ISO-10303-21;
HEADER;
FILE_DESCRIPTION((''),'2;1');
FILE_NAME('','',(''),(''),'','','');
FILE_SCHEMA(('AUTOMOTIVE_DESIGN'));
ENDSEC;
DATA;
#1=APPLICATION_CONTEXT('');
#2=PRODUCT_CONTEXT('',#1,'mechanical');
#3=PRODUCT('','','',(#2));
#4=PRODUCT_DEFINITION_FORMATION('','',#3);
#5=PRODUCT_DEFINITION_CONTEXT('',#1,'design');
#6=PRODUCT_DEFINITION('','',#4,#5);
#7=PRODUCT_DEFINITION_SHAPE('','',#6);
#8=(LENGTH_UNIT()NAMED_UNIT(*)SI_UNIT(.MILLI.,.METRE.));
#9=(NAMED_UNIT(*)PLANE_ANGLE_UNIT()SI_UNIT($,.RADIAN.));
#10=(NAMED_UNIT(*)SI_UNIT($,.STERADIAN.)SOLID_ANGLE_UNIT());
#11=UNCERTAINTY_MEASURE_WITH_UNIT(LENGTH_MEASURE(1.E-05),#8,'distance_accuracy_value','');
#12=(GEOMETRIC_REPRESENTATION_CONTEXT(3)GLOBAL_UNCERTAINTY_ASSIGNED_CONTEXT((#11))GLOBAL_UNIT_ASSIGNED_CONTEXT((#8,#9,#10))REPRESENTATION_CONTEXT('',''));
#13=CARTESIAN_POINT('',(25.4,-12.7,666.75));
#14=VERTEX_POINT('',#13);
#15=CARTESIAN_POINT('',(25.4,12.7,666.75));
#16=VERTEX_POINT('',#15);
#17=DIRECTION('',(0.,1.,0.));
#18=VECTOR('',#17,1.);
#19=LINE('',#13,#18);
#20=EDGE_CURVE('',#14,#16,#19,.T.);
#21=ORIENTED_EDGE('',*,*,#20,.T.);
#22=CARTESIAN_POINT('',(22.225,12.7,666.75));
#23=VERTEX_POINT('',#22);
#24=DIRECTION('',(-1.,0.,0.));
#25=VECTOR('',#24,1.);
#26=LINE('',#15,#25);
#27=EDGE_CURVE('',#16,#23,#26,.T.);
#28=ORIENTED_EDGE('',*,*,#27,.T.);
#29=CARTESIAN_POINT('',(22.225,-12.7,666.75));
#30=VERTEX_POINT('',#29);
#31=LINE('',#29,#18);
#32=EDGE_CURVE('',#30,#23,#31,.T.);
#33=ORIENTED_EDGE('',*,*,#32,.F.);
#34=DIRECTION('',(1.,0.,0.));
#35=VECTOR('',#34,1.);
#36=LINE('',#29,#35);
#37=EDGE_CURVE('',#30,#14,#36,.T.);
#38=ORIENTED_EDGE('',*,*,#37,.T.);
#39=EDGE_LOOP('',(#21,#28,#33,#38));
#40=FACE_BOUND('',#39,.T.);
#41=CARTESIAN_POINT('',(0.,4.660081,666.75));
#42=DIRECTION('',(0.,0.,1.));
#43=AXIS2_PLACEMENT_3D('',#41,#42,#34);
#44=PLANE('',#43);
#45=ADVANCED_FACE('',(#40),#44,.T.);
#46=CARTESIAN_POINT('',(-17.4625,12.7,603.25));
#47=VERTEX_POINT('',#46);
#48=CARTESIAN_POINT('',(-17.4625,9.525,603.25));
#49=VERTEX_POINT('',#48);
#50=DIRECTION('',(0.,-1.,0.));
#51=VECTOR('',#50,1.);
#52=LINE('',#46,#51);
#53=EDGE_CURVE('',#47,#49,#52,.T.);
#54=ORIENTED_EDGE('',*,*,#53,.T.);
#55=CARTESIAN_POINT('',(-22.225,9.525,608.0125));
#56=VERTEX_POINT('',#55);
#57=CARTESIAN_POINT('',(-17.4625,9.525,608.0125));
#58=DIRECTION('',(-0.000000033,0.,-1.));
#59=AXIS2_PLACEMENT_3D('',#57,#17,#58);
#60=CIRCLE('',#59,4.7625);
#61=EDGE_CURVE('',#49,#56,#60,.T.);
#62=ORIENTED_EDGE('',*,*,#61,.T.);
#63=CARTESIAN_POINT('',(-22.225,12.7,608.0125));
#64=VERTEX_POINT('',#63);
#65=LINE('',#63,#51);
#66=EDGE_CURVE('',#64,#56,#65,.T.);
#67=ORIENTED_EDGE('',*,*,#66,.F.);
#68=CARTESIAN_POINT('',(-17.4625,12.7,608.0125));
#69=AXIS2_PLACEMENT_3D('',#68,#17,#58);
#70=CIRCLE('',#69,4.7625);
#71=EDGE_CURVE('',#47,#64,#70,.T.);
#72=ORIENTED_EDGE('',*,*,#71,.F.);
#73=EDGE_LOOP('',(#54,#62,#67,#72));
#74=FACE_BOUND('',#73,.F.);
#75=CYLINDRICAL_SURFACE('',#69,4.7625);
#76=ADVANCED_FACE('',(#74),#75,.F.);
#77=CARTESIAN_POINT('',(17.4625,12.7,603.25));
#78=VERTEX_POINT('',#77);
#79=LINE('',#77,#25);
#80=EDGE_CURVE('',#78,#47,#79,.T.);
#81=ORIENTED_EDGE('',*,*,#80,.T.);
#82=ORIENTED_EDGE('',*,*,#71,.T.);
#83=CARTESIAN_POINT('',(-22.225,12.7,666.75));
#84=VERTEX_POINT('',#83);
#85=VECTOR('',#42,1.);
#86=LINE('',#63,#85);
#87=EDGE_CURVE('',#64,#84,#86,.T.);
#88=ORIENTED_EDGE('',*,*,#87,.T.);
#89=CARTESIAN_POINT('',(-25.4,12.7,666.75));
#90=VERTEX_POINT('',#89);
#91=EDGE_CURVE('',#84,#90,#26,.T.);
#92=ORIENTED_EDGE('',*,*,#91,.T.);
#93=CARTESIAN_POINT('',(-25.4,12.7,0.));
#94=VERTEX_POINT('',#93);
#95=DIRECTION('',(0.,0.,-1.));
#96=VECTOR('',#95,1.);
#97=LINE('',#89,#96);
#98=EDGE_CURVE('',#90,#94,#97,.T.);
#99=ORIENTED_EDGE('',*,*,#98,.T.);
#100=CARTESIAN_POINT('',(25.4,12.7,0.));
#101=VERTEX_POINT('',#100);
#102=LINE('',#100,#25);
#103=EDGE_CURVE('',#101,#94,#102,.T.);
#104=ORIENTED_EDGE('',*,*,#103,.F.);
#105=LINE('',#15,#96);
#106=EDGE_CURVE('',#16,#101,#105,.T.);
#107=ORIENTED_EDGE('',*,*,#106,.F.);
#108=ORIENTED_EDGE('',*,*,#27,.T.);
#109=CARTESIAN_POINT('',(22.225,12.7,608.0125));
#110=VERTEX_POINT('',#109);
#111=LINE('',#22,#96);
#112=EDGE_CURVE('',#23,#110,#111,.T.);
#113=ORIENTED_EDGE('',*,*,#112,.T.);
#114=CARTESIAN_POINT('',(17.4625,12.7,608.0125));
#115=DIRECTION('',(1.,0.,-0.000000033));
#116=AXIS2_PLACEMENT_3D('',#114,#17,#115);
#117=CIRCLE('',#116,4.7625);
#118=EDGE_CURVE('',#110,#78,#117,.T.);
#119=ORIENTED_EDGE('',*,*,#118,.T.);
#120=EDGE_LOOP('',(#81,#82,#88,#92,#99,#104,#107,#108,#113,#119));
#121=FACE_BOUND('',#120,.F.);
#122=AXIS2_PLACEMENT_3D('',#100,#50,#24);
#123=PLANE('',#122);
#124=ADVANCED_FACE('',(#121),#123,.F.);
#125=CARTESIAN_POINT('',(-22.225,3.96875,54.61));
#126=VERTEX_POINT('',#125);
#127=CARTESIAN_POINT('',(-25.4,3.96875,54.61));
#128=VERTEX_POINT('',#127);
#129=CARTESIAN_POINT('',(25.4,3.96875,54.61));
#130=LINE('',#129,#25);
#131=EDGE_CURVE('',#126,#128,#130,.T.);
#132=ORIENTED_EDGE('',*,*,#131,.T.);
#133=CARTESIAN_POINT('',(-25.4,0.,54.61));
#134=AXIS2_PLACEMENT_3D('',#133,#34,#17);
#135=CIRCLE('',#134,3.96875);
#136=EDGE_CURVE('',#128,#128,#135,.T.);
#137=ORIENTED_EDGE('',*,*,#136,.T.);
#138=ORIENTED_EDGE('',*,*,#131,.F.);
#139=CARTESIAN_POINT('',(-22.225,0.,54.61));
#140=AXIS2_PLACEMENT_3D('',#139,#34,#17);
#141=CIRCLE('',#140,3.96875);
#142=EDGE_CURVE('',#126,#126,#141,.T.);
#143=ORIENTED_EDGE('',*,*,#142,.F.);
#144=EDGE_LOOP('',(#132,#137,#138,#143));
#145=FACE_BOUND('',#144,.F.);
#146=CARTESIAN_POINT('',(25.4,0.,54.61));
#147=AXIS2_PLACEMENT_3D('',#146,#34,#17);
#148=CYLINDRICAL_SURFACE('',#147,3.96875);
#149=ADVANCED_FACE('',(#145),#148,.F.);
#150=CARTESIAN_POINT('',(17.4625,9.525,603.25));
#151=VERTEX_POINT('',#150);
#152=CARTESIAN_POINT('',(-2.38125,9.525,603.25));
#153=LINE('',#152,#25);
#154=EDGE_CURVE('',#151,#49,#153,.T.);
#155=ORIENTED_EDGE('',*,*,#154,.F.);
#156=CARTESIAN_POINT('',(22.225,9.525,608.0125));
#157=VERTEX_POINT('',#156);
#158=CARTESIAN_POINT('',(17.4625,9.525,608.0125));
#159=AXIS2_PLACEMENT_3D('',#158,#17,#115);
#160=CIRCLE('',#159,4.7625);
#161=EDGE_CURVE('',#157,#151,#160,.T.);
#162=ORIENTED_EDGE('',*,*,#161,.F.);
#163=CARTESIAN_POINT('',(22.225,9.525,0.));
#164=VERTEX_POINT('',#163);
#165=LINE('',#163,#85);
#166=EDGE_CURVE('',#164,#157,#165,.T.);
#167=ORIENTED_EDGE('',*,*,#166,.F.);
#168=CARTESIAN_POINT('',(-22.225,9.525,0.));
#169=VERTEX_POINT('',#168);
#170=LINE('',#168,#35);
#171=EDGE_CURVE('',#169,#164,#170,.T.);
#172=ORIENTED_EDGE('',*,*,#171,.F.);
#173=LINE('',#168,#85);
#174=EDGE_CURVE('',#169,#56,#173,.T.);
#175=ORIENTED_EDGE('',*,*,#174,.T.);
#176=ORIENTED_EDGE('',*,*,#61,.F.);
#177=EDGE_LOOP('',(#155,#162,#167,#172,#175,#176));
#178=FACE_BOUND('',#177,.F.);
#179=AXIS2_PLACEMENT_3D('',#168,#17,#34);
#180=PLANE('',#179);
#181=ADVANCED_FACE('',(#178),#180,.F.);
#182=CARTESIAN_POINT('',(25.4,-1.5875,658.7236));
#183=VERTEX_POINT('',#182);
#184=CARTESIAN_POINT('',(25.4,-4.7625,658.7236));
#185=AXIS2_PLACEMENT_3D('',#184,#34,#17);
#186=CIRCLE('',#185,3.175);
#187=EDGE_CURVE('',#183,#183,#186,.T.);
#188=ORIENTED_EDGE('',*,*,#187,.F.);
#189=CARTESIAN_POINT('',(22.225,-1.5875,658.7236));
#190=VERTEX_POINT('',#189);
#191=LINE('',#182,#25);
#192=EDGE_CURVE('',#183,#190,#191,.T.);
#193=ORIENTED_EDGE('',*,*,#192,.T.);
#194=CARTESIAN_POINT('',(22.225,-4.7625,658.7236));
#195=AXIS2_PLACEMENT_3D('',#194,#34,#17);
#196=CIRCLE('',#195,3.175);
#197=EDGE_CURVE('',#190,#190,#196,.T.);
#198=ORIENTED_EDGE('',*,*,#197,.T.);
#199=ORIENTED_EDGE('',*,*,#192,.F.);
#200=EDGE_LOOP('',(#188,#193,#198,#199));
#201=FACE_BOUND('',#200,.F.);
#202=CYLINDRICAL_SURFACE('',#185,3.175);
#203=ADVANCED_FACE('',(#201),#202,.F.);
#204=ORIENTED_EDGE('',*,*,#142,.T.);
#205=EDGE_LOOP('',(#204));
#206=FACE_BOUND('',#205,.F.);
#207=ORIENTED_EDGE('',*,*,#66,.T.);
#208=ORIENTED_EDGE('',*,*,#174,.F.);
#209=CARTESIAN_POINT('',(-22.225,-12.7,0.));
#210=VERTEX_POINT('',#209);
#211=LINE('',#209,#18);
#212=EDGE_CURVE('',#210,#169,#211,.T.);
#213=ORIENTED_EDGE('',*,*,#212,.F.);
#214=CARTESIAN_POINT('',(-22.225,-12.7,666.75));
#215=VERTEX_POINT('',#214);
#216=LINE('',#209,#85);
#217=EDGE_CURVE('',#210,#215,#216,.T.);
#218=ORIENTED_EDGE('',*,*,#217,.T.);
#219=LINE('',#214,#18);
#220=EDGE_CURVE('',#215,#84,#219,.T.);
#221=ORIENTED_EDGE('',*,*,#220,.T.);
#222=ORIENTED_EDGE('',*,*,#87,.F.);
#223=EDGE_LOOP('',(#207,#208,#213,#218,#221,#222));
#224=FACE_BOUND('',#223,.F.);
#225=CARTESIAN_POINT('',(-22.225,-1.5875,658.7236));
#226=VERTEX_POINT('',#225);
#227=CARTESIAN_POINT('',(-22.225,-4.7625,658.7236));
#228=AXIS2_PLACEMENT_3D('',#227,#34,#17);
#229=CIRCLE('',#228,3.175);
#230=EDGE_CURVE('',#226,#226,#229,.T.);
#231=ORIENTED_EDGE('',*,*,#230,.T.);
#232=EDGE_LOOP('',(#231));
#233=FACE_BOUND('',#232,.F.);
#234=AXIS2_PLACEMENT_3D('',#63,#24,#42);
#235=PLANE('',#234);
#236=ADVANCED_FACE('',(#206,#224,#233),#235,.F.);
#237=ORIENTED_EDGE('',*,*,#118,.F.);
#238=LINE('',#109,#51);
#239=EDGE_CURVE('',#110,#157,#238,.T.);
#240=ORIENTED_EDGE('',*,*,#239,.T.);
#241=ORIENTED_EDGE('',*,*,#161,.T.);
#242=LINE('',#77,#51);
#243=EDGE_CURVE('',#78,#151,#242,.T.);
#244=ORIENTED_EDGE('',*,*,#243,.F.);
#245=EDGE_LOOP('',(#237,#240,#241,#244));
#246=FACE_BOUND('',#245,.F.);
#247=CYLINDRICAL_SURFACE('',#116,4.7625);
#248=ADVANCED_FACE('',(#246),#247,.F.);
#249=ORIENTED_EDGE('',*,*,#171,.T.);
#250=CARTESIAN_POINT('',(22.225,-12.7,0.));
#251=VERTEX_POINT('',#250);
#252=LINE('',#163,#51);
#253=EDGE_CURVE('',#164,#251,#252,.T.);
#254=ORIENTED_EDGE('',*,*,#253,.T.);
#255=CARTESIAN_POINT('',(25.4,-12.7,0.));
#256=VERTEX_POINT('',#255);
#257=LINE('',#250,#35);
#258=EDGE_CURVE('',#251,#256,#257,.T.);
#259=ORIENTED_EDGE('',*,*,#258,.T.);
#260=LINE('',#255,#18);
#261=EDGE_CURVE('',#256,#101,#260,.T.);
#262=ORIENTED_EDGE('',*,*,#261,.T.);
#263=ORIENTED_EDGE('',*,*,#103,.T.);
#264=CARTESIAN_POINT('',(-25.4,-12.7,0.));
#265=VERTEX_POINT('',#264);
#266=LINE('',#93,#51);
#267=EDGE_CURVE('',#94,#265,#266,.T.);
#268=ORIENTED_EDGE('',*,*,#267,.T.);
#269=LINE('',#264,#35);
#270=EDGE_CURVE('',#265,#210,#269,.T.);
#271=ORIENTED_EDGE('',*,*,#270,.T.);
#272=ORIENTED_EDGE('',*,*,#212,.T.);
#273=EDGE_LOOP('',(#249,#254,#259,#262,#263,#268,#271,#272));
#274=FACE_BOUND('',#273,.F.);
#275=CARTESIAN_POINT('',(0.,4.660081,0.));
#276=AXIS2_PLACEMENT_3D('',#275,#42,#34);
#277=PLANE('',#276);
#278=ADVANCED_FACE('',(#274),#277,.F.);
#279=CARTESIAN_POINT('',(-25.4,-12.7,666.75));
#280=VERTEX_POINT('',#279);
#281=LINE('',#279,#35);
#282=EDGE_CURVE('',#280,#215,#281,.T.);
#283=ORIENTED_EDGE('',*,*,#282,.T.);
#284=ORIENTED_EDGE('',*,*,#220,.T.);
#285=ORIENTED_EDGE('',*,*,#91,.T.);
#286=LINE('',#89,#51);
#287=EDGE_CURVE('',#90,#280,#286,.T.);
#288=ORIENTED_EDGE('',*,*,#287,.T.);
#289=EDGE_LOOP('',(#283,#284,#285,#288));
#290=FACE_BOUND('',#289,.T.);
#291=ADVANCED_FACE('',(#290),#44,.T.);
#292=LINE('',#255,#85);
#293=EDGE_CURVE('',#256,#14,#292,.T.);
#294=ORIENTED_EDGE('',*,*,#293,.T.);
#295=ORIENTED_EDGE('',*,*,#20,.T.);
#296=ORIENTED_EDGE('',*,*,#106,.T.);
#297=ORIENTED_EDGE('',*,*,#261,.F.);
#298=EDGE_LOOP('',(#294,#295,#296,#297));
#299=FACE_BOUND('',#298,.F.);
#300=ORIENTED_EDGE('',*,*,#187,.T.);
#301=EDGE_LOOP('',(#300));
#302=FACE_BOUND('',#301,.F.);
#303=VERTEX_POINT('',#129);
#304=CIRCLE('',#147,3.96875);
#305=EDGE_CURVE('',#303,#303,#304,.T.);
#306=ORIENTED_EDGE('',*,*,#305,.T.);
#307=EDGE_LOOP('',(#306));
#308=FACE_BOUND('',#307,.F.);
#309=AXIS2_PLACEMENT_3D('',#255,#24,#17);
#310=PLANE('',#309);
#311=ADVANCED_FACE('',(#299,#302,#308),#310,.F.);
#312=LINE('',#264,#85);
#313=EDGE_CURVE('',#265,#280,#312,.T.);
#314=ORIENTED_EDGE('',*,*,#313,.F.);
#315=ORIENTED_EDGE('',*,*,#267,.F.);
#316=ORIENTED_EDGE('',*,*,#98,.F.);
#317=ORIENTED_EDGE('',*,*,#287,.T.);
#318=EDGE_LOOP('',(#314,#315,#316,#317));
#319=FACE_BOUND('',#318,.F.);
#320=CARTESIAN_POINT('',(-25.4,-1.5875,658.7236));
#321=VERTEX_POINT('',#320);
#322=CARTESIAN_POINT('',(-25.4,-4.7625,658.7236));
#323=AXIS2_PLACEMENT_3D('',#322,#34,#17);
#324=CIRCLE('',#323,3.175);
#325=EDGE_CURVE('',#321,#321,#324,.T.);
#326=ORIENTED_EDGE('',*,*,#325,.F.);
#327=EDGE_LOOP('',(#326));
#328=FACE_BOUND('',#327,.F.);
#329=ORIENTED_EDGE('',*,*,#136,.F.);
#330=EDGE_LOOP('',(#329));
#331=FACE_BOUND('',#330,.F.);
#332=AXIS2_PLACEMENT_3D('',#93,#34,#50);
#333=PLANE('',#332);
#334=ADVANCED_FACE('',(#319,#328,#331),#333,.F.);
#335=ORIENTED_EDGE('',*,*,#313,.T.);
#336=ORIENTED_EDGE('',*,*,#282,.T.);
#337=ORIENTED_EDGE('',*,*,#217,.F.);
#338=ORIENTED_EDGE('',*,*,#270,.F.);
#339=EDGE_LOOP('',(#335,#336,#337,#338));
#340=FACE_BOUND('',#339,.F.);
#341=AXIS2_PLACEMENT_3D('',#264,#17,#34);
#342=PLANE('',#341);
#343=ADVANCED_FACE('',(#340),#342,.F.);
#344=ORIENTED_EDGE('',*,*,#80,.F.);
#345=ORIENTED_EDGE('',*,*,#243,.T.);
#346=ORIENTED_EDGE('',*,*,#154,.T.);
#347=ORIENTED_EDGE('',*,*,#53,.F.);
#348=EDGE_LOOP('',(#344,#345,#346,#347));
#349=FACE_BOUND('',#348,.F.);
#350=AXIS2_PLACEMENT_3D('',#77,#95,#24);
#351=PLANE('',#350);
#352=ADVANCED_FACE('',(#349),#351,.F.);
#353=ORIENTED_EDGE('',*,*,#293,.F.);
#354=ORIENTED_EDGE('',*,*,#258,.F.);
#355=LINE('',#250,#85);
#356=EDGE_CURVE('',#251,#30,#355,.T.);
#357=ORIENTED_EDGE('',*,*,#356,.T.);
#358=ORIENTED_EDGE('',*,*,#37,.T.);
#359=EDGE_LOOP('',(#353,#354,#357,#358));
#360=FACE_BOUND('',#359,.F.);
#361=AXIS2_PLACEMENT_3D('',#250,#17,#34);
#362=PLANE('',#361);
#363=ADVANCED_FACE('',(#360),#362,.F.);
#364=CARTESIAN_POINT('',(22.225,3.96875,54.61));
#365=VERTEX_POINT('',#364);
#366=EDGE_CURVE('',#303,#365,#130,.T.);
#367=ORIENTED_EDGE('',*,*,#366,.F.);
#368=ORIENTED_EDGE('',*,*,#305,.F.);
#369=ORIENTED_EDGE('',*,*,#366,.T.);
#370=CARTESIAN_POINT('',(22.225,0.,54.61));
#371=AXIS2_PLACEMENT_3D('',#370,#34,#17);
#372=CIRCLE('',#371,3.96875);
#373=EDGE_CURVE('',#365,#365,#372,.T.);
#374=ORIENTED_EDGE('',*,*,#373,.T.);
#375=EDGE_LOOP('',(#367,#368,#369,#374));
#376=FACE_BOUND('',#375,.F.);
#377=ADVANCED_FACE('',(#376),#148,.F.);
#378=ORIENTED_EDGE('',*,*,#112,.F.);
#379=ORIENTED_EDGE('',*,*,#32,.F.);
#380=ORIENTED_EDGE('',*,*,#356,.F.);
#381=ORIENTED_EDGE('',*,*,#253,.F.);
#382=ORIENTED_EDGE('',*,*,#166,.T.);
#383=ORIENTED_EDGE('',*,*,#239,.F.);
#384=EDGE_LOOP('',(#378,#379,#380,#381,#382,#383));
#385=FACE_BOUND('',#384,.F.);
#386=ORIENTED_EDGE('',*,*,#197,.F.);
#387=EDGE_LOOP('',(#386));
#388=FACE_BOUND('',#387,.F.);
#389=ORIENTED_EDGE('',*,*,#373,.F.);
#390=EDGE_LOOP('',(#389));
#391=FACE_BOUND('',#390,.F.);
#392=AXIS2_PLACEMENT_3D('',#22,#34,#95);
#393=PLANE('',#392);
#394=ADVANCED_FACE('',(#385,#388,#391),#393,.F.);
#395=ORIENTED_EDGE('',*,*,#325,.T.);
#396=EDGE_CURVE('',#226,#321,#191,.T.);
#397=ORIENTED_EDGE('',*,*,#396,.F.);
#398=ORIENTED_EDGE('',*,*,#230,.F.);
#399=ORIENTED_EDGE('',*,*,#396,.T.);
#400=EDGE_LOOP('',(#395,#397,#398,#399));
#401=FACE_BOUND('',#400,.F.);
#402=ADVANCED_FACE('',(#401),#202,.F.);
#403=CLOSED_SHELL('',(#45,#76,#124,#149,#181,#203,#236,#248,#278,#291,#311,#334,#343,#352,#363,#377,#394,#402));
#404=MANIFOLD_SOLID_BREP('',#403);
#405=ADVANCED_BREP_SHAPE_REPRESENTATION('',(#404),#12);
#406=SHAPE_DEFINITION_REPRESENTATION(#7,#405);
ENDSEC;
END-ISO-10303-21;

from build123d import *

# Parameters (mm, degrees)
F1_DEPTH = 666.75
F2_R     = 3.96875
F3_DEPTH = 50.8
F4_R     = 3.175
F5_DEPTH = 50.8
F7_DEPTH = 25.4
F8_DEPTH = 25.4


with BuildPart() as f1:
    # F0 (on Top) → F1 (new body)
    with BuildSketch(Plane.XY):
        Polygon((-25.4, 12.7), (-25.4, -12.7), (-22.225, -12.7), (-22.225, 9.525), (22.225, 9.525), (22.225, -12.7), (25.4, -12.7), (25.4, 12.7), align=None)
    extrude(amount=F1_DEPTH)

    # F2 (on face) → F3 (cut, through all)
    with BuildSketch(Plane.YZ.offset(25.4)):
        with Locations((0, 16.51)):
            Circle(F2_R)
        with Locations((0, 54.61)):
            Circle(F2_R)
    extrude(amount=-F3_DEPTH, mode=Mode.SUBTRACT)

    # F4 (on face) → F5 (cut, through all)
    with BuildSketch(Plane.YZ.offset(25.4)):
        with Locations((-4.7625, 658.7236)):
            Circle(F4_R)
    extrude(amount=-F5_DEPTH, mode=Mode.SUBTRACT)

    # F6 (on face) → F7 (cut)
    with BuildSketch(Plane(origin=(0, 12.7, 0), x_dir=(-1, 0, 0), z_dir=(0, 1, 0))):
        with BuildLine():
            Line((22.225, 666.75), (-22.225, 666.75))
            Line((-22.225, 666.75), (-22.225, 608.0125))
            ThreePointArc((-22.225, 608.0125), (-20.830096, 604.644904), (-17.4625, 603.25))
            Line((-17.4625, 603.25), (17.4625, 603.25))
            ThreePointArc((17.4625, 603.25), (20.830096, 604.644904), (22.225, 608.0125))
            Line((22.225, 608.0125), (22.225, 666.75))
        make_face()
    extrude(amount=-F7_DEPTH, mode=Mode.SUBTRACT)

    # F0 (on Top) → F8 (join)
    with BuildSketch(Plane.XY):
        Polygon((-25.4, 12.7), (-25.4, -12.7), (-22.225, -12.7), (-22.225, 9.525), (22.225, 9.525), (22.225, -12.7), (25.4, -12.7), (25.4, 12.7), align=None)
    extrude(amount=F8_DEPTH)


solid = f1.part
